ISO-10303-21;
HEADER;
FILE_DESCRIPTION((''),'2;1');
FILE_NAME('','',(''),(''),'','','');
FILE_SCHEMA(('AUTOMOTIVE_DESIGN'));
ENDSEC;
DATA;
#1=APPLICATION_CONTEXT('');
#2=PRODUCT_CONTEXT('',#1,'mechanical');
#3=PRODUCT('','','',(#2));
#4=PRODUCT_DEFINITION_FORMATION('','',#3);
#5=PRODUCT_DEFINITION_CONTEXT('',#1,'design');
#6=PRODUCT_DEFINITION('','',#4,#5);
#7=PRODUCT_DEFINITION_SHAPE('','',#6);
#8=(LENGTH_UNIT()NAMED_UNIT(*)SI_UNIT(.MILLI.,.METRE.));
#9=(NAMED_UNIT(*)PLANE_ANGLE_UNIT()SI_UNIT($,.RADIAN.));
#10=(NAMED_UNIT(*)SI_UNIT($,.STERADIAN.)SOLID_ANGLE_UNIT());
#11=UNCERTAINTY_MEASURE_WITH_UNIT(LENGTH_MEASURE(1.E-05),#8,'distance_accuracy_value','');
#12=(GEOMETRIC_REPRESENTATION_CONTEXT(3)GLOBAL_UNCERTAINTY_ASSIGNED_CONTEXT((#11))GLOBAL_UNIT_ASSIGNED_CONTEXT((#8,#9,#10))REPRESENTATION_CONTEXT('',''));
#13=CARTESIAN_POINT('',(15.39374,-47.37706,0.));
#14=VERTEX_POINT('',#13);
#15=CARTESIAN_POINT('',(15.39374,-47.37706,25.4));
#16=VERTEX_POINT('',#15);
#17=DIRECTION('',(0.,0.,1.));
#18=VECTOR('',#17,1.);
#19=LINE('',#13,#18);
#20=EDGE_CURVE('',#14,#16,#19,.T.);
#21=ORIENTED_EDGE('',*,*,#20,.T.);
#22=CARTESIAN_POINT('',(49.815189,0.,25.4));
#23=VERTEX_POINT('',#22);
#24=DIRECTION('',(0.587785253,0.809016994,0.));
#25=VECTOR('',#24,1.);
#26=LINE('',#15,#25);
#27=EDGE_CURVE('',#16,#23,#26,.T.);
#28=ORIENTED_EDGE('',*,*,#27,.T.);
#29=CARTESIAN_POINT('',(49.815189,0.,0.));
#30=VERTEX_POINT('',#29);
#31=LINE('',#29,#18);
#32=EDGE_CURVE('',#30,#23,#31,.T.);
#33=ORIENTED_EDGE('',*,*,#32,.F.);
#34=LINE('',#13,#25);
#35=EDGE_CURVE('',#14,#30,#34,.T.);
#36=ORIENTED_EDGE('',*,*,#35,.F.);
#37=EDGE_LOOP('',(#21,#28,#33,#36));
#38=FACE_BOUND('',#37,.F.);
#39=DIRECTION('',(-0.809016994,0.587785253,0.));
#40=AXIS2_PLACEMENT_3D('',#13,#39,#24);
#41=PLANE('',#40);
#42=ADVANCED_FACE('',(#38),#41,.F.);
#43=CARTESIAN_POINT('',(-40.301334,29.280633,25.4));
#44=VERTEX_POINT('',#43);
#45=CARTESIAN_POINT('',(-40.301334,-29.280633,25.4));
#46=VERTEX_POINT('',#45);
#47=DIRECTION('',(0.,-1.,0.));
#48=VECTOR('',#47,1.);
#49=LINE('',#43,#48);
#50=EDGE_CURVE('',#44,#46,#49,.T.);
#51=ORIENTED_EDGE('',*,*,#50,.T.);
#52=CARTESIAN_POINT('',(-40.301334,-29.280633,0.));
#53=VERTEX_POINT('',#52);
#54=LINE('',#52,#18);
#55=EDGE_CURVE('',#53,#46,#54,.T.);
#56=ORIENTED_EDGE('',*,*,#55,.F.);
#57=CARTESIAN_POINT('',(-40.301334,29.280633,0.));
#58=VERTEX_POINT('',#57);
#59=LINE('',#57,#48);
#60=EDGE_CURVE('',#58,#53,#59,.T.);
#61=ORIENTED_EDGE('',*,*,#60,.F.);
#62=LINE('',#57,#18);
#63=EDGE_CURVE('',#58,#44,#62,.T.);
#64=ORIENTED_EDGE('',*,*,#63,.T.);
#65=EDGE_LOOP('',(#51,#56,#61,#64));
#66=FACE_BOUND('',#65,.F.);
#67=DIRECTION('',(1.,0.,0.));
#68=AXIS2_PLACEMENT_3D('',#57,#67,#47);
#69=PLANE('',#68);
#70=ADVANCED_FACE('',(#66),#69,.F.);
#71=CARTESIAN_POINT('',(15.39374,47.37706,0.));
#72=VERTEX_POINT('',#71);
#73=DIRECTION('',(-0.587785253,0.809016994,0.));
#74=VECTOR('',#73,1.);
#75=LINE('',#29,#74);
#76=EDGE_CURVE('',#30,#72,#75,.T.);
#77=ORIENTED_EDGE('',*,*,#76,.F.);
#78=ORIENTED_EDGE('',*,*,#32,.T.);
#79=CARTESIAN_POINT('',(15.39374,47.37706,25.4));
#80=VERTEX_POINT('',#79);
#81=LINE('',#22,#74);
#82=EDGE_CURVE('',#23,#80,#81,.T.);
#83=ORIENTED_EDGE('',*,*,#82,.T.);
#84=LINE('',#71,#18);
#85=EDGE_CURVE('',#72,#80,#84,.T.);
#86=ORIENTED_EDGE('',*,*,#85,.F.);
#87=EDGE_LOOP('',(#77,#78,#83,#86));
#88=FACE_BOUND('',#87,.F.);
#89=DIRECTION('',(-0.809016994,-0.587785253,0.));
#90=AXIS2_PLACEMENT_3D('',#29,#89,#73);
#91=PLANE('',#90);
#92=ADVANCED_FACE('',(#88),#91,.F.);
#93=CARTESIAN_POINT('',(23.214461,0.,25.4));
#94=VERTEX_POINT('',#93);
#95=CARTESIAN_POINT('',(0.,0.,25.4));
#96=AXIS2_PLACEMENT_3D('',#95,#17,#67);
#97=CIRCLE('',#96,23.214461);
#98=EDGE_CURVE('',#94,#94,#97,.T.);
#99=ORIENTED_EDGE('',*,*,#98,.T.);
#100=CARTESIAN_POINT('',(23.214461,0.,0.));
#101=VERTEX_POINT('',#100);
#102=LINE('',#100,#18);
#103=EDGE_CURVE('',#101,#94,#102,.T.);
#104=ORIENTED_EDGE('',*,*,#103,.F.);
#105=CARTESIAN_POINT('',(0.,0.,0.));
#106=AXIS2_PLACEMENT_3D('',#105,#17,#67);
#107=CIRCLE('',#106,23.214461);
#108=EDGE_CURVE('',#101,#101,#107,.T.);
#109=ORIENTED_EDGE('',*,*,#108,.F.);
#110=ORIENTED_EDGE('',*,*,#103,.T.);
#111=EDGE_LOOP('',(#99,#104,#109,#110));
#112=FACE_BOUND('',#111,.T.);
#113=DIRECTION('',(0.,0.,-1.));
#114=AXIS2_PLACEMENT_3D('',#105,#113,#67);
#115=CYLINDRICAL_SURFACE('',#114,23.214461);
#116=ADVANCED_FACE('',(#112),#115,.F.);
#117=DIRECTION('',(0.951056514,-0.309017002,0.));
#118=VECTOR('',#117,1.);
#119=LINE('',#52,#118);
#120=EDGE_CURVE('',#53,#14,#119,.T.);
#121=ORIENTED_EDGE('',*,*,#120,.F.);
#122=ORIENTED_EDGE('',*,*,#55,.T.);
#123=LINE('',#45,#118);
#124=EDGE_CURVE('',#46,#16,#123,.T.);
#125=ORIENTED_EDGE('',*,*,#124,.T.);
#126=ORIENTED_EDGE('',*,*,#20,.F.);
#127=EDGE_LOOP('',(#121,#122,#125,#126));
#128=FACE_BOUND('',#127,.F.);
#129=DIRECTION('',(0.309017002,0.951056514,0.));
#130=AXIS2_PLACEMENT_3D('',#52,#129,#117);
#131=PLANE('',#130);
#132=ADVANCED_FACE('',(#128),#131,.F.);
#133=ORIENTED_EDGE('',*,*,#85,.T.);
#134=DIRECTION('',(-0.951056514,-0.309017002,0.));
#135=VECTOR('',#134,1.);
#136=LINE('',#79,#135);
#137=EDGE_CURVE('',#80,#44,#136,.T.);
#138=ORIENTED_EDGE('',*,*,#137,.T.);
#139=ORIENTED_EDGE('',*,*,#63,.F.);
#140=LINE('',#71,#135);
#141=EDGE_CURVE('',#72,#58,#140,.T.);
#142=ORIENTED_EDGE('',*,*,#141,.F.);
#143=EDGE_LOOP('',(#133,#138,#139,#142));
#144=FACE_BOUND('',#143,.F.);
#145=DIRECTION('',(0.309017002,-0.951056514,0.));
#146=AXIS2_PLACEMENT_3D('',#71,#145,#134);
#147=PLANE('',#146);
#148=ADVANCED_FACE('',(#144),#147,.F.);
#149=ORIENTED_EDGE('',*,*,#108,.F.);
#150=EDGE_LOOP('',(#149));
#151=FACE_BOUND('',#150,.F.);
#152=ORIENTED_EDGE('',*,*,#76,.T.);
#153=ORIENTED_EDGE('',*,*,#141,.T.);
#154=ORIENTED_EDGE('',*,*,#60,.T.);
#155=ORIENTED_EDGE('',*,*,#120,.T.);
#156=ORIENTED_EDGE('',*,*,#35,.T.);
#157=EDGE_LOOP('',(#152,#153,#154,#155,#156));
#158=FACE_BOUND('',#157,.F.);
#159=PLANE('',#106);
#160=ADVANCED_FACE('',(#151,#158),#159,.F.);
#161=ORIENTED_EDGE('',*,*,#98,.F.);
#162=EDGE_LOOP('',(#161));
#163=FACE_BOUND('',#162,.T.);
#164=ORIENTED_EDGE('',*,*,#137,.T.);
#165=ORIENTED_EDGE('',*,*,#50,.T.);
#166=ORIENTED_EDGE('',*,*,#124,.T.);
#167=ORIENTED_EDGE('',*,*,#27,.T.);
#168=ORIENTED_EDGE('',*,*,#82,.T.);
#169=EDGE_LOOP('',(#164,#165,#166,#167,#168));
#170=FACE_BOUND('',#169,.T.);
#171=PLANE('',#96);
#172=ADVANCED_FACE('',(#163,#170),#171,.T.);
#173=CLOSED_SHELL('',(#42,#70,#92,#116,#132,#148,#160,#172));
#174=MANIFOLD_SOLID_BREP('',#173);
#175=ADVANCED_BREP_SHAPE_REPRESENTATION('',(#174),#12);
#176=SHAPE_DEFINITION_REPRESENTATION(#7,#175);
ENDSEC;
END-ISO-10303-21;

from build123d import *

# Parameters (mm, degrees)
F0_R     = 23.214461
F1_DEPTH = 25.4


with BuildPart() as f1:
    # F0 (on Top) → F1 (new body)
    with BuildSketch(Plane.XY):
        Polygon((-40.301334, 29.280633), (-40.301334, -29.280633), (15.39374, -47.37706), (49.815189, 0), (15.39374, 47.37706), align=None)
        Circle(F0_R, mode=Mode.SUBTRACT)
    extrude(amount=F1_DEPTH)


solid = f1.part
